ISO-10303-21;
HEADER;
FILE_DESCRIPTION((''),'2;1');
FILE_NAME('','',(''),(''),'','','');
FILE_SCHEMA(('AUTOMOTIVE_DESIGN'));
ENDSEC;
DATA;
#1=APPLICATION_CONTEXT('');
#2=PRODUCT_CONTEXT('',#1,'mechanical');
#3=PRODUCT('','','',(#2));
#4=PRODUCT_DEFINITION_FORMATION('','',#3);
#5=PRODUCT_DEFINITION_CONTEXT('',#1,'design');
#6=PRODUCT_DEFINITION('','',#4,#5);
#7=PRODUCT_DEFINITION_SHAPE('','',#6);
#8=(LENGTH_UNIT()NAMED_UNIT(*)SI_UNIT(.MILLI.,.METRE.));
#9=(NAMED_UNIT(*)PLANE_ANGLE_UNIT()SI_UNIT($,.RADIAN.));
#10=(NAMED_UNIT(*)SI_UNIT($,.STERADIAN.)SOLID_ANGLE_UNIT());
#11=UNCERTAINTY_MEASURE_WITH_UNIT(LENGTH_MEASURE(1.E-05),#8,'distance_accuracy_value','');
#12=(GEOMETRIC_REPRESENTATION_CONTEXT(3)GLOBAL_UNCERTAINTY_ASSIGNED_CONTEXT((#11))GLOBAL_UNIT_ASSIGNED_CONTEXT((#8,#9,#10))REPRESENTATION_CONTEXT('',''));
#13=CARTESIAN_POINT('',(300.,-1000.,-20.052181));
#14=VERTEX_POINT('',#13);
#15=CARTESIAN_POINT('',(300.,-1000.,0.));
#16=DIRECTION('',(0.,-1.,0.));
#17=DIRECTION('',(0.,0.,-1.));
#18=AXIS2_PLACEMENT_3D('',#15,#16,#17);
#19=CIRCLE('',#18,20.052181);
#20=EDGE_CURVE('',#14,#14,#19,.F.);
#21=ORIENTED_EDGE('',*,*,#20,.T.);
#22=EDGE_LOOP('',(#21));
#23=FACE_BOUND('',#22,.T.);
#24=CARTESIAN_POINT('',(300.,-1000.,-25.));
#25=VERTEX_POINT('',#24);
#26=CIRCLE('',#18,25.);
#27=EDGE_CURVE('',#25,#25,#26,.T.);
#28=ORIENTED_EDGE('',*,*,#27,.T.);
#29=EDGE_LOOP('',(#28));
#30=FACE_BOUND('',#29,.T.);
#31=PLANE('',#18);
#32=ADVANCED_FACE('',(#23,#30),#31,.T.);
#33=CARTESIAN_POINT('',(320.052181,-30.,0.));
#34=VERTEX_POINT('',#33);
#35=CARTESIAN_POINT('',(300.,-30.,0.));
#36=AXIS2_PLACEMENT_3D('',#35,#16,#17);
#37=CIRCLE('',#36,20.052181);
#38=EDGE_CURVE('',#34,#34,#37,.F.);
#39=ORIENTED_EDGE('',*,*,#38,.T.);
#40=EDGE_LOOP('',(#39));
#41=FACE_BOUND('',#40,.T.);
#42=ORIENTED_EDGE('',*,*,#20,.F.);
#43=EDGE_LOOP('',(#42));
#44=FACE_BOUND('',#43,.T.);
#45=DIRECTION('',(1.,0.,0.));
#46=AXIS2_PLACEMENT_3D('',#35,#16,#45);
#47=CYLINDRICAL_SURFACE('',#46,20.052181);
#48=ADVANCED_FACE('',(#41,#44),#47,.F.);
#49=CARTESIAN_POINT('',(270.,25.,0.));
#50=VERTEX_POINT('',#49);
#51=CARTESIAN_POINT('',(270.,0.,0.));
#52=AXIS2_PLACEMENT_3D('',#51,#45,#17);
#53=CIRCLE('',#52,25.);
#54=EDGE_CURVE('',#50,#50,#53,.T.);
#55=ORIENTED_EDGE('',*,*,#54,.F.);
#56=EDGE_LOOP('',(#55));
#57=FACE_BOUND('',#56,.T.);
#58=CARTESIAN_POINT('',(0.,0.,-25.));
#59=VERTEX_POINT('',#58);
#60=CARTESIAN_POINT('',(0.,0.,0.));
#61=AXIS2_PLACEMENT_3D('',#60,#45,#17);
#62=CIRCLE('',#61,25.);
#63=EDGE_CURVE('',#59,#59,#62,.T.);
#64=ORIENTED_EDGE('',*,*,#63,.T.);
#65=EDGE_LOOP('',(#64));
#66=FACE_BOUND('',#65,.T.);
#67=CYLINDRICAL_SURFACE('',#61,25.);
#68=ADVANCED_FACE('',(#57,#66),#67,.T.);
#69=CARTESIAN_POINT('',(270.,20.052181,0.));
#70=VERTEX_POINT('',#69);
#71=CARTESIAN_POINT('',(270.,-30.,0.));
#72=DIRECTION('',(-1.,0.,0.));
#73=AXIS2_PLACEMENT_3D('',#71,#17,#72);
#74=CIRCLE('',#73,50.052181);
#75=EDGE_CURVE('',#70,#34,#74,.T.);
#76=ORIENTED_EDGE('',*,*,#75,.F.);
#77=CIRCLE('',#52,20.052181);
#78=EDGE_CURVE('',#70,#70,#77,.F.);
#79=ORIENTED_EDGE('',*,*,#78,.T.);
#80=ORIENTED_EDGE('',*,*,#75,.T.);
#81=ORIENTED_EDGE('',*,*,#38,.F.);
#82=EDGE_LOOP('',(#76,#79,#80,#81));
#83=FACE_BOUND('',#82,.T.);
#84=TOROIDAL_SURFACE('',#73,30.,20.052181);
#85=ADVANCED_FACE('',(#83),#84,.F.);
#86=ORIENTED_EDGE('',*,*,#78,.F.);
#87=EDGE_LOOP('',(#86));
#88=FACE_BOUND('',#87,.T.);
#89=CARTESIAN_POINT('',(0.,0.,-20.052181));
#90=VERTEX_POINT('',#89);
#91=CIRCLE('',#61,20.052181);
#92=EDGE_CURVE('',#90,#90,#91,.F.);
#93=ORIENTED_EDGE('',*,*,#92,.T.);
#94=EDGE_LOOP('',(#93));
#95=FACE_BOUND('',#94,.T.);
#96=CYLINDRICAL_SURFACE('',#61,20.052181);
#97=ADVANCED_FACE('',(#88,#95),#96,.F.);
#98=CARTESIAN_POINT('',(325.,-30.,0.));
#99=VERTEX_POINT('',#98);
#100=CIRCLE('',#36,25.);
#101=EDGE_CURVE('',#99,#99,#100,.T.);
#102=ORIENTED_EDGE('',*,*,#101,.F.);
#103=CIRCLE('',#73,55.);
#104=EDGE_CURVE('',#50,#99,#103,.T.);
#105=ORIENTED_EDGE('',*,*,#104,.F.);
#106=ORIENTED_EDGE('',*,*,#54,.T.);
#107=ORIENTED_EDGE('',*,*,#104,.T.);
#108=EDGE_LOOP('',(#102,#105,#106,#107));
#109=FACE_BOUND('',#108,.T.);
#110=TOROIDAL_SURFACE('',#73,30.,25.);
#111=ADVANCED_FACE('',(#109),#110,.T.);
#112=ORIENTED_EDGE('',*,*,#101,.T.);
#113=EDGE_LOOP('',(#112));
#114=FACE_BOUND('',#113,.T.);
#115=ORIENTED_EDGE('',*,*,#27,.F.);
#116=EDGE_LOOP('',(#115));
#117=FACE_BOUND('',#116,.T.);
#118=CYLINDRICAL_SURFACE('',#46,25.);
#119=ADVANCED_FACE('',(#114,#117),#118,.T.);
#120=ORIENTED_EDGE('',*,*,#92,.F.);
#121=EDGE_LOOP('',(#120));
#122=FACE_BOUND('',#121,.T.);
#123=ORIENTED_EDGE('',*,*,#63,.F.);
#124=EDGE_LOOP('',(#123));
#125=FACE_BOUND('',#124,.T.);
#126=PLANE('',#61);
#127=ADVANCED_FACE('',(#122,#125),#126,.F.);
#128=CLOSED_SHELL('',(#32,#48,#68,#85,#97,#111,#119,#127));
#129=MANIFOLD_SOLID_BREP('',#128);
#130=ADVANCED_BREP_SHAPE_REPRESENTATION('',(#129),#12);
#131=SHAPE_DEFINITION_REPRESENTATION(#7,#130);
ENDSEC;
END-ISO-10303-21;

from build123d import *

# Parameters (mm, degrees)
SKETCH_2_R   = 25
SKETCH_2_R_2 = 20.052180854


with BuildPart() as part:
    # 掃出3: sweep along a path in 草圖1
    with BuildLine(Plane.XY) as sweep_3_path:
        Line((0, 0), (270, 0))
        ThreePointArc((270, 0), (291.213203436, -8.786796564), (300, -30))
        Line((300, -30), (300, -1000))
    # 草圖2 → 掃出3 (sweep)
    with BuildSketch(Plane(origin=(0, 0, 0), x_dir=(0, 0, -1), z_dir=(1, 0, 0))):
        Circle(SKETCH_2_R)
        Circle(SKETCH_2_R_2, mode=Mode.SUBTRACT)
    sweep(path=sweep_3_path.line)


solid = part.part
